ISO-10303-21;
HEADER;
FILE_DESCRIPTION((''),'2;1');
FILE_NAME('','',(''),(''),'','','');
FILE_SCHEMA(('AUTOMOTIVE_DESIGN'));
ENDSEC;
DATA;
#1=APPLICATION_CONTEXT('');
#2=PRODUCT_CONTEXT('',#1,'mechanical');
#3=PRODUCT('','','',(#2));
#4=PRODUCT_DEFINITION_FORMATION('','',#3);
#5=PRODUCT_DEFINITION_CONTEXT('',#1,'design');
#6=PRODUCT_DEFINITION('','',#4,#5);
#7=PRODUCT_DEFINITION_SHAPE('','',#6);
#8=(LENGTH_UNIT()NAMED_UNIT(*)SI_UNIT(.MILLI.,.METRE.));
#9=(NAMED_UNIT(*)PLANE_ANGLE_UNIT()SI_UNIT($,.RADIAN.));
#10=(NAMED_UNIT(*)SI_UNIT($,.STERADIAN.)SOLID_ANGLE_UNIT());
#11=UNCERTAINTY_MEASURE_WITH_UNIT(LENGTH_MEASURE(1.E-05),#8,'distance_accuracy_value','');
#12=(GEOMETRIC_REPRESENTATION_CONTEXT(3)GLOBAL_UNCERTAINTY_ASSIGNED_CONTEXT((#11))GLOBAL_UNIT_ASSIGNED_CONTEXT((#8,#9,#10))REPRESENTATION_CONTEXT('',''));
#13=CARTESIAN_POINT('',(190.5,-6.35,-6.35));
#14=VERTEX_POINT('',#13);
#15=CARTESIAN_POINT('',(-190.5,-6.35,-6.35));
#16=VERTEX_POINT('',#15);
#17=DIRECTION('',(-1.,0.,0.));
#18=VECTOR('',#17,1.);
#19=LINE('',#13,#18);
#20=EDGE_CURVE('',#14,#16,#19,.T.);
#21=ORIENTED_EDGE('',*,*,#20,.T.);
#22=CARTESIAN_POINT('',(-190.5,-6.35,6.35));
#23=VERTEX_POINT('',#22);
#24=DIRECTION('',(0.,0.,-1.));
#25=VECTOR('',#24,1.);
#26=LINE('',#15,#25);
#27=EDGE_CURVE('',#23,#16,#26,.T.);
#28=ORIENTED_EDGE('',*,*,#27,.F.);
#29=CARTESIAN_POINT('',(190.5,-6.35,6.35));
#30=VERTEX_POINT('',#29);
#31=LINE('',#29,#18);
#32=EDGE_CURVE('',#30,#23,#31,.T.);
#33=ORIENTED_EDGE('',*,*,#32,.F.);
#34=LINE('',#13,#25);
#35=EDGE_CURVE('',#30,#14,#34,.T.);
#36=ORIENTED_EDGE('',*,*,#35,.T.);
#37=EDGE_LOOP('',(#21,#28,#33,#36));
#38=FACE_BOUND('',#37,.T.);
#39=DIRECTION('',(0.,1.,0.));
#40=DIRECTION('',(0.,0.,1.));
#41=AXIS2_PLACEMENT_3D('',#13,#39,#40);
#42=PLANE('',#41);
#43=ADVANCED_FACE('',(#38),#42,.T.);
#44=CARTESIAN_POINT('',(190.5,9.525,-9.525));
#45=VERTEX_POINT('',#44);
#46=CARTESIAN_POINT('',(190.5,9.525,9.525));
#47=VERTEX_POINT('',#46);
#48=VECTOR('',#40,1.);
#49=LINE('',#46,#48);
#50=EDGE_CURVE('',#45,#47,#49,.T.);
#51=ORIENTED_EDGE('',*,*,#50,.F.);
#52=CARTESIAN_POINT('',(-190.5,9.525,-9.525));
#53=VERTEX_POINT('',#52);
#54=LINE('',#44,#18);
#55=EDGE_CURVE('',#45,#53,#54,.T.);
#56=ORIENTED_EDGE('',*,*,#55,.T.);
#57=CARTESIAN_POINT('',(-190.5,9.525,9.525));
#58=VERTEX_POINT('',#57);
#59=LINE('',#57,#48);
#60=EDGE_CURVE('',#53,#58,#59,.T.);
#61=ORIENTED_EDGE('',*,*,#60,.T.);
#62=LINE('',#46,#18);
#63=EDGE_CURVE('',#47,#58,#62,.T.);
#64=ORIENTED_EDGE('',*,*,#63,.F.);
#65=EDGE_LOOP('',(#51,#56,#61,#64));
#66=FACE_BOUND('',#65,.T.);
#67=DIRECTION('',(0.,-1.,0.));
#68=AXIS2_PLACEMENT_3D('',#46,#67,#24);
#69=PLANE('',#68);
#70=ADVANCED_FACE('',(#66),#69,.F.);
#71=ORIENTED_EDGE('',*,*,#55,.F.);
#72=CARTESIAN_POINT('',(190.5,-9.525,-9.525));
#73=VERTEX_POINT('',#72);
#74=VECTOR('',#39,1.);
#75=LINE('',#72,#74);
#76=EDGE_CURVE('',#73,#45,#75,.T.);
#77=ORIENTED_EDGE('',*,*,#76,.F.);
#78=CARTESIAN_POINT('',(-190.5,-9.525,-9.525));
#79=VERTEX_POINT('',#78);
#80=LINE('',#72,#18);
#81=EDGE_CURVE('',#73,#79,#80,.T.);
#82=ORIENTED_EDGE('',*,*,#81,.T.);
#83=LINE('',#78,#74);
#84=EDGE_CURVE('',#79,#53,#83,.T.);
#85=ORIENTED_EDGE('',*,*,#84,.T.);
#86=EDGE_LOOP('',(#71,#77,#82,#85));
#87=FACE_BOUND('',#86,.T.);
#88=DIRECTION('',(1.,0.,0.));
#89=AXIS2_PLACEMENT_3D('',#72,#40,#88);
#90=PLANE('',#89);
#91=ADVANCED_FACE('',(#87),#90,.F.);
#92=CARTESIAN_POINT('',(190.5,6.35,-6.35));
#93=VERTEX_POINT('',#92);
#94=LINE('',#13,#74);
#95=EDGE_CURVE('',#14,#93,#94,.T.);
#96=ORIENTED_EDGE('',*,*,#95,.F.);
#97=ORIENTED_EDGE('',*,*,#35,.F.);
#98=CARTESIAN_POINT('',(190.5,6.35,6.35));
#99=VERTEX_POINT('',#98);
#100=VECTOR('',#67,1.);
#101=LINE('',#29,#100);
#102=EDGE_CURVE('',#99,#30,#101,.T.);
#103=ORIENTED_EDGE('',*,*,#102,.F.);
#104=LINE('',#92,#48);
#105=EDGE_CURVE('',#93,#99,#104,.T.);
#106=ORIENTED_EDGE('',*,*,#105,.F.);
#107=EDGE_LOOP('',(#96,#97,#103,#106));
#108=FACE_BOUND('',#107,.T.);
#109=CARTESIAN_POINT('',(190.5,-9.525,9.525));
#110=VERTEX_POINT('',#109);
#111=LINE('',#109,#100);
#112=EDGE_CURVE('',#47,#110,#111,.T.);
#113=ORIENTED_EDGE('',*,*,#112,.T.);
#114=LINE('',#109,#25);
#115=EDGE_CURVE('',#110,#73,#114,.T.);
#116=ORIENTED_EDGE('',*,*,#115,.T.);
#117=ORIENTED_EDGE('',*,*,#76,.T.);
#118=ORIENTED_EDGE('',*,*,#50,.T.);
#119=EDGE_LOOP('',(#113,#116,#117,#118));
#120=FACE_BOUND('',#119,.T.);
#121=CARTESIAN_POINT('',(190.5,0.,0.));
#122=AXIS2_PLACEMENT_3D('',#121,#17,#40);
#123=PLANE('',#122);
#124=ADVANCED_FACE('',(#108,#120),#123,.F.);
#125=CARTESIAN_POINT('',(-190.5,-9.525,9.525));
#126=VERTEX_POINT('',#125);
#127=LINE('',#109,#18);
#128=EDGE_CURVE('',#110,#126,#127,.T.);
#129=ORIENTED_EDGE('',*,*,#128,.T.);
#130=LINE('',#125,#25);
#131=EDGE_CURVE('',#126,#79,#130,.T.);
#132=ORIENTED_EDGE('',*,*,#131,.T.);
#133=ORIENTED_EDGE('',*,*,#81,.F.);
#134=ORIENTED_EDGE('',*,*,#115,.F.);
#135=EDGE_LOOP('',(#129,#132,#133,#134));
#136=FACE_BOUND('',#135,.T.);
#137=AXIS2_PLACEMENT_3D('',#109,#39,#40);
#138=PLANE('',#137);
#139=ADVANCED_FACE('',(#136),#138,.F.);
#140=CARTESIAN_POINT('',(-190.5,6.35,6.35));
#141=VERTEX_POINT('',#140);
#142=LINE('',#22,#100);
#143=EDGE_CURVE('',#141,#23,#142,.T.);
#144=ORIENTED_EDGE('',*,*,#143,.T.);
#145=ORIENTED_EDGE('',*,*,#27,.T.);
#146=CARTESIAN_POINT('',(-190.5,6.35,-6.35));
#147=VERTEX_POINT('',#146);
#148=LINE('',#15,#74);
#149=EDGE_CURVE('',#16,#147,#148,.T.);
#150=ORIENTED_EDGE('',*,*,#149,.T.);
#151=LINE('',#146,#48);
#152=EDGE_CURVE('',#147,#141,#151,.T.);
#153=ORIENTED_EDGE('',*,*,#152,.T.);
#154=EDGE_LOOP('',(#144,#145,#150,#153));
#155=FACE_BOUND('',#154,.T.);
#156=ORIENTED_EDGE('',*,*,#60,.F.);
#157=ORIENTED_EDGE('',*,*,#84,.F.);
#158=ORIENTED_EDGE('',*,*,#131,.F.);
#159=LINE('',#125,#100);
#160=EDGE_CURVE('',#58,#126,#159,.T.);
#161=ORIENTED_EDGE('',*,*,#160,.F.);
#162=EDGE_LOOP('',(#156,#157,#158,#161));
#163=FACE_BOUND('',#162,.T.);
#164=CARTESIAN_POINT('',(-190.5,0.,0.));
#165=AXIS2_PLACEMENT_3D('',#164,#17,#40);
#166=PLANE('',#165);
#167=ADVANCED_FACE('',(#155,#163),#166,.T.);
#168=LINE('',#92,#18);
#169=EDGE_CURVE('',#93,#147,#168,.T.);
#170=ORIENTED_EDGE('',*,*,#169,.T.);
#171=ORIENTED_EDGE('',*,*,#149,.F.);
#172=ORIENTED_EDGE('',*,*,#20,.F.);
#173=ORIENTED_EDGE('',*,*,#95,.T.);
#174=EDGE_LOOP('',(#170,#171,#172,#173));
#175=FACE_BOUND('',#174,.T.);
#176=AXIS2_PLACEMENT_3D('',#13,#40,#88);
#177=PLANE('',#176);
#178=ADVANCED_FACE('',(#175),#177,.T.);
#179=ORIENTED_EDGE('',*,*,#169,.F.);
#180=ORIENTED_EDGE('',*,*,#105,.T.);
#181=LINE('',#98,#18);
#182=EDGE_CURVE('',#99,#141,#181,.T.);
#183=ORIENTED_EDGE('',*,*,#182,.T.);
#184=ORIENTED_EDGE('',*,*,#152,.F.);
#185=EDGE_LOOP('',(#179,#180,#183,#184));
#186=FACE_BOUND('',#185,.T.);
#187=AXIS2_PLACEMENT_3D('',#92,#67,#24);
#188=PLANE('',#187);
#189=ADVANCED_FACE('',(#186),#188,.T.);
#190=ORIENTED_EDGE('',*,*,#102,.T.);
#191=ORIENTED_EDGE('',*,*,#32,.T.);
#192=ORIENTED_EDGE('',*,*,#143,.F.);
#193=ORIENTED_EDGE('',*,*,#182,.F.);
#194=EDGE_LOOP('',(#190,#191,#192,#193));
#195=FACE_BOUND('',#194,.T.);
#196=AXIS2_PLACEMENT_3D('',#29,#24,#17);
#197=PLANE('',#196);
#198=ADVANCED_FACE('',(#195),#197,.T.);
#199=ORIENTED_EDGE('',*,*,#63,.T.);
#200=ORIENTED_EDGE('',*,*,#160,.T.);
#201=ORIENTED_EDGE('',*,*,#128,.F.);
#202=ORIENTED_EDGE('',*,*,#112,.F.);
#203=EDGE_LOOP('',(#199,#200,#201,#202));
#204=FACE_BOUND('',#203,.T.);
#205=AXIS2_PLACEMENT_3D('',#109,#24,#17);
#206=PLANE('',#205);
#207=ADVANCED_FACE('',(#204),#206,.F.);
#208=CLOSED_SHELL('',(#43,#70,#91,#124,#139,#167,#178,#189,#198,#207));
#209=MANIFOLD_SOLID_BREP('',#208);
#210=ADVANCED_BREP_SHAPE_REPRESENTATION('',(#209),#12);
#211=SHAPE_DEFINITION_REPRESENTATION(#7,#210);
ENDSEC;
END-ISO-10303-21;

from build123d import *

# Parameters (mm, degrees)
SKETCH1_W           = 19.05
SKETCH1_H           = 19.05
SKETCH1_W_2         = 12.7
SKETCH1_H_2         = 12.7
BOSS_EXTRUDE1_DEPTH = 190.5


with BuildPart() as part:
    # Sketch1 → Boss-Extrude1 (new, symmetric)
    with BuildSketch(Plane(origin=(0, 0, 0), x_dir=(0, 0, -1), z_dir=(1, 0, 0))):
        Rectangle(SKETCH1_W, SKETCH1_H)
        Rectangle(SKETCH1_W_2, SKETCH1_H_2, mode=Mode.SUBTRACT)
    extrude(amount=BOSS_EXTRUDE1_DEPTH, both=True)


solid = part.part
